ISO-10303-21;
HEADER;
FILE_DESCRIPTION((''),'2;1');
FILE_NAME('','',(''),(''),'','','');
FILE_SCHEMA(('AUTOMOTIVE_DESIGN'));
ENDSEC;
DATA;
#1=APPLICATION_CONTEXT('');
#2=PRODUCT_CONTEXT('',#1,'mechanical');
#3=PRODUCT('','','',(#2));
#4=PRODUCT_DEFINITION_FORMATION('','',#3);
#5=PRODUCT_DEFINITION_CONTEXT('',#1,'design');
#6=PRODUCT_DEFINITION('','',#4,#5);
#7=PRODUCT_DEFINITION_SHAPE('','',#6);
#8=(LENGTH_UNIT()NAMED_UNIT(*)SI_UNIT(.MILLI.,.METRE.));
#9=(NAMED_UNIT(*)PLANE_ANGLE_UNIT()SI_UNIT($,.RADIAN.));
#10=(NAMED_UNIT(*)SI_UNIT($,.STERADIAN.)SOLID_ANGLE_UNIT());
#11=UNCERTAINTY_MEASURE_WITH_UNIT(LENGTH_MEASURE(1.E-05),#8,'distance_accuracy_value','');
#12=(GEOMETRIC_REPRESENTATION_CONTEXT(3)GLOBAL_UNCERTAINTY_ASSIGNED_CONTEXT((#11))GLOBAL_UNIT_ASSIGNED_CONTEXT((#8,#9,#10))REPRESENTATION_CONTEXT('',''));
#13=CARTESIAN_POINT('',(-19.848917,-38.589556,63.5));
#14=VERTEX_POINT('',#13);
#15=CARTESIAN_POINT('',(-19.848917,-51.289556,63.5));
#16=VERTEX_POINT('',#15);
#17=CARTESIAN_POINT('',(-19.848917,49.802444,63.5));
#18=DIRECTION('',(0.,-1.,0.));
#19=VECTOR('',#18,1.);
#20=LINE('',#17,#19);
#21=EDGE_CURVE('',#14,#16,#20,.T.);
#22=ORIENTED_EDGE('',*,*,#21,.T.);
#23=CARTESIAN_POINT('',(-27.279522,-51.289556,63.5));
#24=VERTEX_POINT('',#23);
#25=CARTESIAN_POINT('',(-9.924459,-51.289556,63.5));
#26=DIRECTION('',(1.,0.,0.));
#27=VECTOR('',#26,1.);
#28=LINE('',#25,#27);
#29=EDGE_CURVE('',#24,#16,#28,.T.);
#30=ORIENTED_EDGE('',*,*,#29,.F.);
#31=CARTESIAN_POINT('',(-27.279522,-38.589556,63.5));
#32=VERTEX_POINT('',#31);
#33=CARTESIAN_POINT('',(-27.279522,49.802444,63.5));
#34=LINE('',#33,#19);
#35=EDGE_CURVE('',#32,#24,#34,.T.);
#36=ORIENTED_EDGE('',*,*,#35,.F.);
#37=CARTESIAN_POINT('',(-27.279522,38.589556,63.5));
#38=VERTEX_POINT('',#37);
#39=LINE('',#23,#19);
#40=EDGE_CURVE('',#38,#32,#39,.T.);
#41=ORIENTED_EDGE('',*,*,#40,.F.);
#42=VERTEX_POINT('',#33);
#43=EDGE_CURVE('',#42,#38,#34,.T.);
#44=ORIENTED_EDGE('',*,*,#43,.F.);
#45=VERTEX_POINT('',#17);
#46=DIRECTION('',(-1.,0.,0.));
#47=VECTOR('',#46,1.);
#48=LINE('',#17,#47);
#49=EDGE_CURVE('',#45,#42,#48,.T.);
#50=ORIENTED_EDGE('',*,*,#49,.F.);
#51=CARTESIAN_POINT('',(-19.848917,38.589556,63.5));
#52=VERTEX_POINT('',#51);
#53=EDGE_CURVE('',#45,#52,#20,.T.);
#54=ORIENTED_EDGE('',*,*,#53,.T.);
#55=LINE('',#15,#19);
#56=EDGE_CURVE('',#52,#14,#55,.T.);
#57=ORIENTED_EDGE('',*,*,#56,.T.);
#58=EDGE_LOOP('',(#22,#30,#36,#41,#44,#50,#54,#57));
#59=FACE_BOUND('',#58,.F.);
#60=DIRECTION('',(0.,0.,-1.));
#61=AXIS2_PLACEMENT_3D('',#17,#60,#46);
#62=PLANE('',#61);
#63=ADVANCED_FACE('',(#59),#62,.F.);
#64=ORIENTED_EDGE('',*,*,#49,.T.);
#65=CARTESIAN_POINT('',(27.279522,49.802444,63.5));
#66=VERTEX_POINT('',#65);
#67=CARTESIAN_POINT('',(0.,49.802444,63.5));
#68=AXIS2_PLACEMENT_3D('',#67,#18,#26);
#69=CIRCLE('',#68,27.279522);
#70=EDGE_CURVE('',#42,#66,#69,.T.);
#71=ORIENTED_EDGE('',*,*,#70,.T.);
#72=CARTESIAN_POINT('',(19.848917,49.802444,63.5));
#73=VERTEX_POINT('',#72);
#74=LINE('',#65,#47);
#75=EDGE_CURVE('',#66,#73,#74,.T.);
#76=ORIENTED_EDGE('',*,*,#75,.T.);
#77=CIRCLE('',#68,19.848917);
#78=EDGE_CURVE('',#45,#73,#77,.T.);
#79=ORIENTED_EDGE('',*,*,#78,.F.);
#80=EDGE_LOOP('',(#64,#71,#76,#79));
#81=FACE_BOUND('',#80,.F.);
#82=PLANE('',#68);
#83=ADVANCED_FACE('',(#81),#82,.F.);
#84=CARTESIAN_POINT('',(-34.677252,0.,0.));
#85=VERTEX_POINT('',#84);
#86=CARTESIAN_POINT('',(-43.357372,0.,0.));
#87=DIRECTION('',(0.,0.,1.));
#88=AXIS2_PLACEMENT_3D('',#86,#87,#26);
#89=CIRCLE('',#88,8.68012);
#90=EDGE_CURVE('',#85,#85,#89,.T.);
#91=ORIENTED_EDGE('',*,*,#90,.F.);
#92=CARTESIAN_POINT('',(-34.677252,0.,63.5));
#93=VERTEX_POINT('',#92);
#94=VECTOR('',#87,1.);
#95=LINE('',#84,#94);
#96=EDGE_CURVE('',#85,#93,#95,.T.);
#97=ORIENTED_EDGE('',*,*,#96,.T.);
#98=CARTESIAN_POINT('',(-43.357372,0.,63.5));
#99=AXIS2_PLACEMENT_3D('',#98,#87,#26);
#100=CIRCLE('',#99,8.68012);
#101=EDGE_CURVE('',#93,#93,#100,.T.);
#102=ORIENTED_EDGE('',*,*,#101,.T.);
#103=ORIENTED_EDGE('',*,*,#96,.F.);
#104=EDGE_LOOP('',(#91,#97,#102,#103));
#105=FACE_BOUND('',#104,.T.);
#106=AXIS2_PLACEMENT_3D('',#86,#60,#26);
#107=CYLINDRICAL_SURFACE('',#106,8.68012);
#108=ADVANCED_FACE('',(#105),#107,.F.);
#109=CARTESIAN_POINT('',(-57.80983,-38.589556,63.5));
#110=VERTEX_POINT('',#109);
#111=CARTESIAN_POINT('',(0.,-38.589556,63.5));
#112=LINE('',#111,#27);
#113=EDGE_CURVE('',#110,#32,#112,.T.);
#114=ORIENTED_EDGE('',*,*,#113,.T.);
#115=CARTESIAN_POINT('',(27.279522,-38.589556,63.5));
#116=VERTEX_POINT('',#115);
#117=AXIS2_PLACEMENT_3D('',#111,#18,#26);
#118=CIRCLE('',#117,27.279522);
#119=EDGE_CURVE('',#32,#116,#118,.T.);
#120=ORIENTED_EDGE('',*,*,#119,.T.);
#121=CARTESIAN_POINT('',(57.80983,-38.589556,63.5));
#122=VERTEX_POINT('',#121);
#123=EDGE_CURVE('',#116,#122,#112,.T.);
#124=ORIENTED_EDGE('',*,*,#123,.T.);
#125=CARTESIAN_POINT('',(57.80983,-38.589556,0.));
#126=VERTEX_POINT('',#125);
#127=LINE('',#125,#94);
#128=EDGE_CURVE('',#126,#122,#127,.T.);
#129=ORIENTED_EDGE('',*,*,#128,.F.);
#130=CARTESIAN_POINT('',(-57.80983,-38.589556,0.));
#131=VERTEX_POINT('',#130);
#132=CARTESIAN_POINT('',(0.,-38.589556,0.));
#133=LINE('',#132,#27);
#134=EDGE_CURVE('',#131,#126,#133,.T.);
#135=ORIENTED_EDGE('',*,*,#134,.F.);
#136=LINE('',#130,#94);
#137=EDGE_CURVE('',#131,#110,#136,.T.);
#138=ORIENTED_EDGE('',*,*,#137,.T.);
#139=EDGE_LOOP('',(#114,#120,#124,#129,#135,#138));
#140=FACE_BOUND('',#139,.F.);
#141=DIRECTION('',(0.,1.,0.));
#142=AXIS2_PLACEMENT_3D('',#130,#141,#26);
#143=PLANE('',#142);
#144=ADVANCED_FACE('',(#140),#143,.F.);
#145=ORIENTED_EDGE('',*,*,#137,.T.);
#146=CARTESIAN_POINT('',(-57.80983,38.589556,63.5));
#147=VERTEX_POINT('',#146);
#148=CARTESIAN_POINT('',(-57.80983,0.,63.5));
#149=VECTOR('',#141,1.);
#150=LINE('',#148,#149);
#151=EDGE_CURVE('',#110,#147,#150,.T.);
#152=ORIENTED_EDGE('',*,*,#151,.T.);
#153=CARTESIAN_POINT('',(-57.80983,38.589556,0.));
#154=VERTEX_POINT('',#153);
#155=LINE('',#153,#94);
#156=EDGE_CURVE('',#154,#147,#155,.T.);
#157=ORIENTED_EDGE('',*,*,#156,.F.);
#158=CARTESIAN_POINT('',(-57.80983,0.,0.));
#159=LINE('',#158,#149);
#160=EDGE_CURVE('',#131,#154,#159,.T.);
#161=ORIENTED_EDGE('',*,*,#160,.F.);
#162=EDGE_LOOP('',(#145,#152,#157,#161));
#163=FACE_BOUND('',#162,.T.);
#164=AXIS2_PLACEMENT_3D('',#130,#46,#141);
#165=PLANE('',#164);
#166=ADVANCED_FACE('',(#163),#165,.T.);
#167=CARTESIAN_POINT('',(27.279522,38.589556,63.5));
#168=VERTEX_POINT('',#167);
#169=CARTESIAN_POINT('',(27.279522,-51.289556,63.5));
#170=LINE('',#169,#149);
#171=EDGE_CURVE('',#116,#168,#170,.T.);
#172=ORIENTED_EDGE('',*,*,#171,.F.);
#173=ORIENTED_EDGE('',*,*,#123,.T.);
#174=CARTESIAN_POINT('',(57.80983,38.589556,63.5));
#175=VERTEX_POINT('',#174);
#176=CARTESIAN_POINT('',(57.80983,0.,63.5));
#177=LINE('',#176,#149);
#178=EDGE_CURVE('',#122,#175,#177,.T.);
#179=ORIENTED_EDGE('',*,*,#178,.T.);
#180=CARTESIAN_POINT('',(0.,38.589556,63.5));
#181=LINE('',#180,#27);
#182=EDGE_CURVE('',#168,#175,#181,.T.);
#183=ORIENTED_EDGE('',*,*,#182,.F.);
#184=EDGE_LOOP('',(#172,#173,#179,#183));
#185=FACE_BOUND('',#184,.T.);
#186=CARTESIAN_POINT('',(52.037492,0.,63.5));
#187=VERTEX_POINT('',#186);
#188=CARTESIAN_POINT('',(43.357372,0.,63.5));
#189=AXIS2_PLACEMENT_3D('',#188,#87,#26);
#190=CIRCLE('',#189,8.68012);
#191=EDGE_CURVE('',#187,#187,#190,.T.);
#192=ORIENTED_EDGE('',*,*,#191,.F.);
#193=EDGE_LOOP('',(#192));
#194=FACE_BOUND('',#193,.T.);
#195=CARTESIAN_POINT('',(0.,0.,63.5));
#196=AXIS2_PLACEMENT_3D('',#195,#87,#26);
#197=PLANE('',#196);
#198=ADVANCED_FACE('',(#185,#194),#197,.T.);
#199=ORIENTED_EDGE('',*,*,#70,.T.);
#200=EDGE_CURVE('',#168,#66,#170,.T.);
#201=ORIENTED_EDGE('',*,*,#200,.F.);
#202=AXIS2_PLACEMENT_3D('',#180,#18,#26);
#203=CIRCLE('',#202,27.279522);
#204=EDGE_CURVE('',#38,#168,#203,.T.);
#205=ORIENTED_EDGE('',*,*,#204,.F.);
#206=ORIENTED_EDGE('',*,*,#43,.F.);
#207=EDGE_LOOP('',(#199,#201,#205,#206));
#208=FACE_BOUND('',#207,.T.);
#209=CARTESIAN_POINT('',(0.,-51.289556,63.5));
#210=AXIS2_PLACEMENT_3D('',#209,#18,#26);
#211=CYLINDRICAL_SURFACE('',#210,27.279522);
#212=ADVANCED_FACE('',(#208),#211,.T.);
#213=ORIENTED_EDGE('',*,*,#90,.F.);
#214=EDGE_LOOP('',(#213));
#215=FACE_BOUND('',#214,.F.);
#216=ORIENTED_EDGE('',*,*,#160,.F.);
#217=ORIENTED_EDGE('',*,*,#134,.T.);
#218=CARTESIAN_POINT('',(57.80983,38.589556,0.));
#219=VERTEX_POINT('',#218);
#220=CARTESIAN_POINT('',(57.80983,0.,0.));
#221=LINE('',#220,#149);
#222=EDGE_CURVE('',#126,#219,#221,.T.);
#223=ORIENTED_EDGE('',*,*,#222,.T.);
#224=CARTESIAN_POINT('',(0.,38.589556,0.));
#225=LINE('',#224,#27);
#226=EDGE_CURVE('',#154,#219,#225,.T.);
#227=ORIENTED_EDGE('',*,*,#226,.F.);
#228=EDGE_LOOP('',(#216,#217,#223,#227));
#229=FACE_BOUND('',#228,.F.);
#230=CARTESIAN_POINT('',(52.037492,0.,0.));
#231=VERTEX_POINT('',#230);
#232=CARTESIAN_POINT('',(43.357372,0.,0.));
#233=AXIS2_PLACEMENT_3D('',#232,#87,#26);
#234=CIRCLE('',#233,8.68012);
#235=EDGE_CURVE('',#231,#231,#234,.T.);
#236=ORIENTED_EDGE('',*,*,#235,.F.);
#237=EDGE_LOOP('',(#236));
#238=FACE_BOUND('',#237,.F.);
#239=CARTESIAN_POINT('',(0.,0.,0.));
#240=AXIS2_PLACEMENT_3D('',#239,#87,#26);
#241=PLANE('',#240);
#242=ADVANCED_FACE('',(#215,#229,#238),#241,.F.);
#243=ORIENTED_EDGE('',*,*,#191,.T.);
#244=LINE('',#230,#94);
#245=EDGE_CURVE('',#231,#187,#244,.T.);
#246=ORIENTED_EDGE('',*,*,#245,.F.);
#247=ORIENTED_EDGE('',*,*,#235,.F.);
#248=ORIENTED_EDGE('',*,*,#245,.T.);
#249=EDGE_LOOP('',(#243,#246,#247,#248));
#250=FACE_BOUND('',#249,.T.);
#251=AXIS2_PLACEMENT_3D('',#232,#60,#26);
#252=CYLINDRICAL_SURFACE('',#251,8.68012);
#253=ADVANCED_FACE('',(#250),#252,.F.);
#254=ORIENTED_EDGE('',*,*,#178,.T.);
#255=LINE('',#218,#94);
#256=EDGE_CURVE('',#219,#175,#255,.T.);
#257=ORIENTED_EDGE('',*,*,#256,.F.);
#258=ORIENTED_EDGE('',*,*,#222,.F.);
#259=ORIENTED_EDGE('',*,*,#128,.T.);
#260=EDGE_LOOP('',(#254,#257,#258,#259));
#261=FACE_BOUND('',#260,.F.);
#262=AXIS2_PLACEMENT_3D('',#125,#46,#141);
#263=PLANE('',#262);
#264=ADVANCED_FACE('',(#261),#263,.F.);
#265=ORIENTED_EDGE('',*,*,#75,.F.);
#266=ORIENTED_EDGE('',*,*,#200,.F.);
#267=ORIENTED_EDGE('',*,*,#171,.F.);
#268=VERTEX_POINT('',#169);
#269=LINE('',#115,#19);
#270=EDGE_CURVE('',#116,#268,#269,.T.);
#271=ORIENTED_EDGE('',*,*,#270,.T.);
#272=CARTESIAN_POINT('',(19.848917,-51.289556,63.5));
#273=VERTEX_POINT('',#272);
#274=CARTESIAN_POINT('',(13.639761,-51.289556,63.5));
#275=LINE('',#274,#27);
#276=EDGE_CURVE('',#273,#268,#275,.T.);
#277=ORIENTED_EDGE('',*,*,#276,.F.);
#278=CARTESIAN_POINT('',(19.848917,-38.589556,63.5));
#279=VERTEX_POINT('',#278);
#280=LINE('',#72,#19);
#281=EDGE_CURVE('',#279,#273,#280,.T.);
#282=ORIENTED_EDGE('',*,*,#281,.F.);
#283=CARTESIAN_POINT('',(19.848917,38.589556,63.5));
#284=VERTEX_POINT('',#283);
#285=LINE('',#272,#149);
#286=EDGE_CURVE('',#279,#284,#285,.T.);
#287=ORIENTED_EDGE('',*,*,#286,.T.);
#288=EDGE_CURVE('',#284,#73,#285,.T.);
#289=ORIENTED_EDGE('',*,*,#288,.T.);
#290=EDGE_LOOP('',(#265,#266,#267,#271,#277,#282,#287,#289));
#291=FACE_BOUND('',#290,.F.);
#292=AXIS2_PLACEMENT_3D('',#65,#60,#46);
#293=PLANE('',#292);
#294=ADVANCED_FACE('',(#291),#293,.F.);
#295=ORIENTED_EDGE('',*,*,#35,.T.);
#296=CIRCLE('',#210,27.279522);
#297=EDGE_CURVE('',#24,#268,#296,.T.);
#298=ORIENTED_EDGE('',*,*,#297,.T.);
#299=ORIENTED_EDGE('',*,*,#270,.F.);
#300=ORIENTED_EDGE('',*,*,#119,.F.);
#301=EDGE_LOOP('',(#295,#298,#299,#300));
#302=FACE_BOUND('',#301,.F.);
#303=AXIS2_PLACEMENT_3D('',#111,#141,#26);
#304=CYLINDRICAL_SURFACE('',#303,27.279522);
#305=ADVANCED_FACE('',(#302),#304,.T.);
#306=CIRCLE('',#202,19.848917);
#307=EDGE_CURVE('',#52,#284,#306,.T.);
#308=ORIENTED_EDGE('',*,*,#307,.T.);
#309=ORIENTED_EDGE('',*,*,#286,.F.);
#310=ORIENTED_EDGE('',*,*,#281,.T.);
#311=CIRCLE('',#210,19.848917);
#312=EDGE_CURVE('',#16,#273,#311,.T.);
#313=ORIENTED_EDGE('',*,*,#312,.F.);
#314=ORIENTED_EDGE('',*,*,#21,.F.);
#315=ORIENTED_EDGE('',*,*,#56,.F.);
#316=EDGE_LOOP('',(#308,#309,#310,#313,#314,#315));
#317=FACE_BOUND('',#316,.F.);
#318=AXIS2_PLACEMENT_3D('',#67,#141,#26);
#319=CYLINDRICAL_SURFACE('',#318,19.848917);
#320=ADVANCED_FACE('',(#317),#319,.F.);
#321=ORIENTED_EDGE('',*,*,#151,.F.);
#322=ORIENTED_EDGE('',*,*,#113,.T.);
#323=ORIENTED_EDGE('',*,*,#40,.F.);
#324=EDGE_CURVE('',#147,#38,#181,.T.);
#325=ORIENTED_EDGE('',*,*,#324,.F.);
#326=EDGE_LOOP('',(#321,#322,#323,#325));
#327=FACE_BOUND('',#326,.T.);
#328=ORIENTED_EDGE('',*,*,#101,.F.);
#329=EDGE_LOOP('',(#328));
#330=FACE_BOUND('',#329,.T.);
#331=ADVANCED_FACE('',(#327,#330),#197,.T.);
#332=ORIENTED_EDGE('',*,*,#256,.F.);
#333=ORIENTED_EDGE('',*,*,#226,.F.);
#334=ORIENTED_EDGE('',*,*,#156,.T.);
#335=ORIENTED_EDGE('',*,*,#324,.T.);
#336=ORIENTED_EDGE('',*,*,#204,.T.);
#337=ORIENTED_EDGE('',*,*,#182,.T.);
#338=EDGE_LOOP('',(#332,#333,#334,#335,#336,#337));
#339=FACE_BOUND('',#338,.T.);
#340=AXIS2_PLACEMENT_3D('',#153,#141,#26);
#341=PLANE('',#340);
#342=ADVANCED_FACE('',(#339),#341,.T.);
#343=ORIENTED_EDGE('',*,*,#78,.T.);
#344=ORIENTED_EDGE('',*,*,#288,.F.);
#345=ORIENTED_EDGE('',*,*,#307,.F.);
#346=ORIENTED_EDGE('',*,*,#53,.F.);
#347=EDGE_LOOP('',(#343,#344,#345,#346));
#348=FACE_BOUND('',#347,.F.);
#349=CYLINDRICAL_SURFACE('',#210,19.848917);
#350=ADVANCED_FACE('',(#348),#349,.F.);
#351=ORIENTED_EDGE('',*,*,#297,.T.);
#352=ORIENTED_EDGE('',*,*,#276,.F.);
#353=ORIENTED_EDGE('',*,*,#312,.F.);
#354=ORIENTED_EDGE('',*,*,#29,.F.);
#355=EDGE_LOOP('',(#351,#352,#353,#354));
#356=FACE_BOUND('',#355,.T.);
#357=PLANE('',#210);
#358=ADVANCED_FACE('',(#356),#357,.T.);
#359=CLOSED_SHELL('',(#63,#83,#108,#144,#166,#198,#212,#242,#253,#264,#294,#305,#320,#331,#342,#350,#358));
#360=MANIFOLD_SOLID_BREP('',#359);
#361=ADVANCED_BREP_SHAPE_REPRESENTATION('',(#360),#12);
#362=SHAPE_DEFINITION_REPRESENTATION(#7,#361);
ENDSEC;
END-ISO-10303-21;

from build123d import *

# Parameters (mm, degrees)
F0_W     = 115.61966
F0_H     = 77.179112
F0_R     = 8.68012
F1_DEPTH = 63.5
F2_R     = 27.279522
F3_DEPTH = 12.7
F4_R     = 27.279522
F4_R_2   = 19.848917
F5_DEPTH = 101.092
F7_DEPTH = 194.818


with BuildPart() as f1:
    # F0 (on Top) → F1 (new body)
    with BuildSketch(Plane.XY):
        Rectangle(F0_W, F0_H)
        with Locations((-43.357372, 0)):
            Circle(F0_R, mode=Mode.SUBTRACT)
        with Locations((43.357372, 0)):
            Circle(F0_R, mode=Mode.SUBTRACT)
    extrude(amount=F1_DEPTH)

    # F2 (on face) → F3 (join)
    with BuildSketch(Plane.XZ.offset(38.589556)):
        with Locations((0, 63.5)):
            Circle(F2_R)
    extrude(amount=F3_DEPTH)

    # F4 (on face) → F5 (join)
    with BuildSketch(Plane.XZ.offset(51.289556)):
        with Locations((0, 63.5)):
            Circle(F4_R)
        with Locations((0, 63.5)):
            Circle(F4_R_2, mode=Mode.SUBTRACT)
    extrude(amount=-F5_DEPTH)

    # F6 (on face) → F7 (cut)
    with BuildSketch(Plane(origin=(0, 49.802444, 0), x_dir=(-1, 0, 0), z_dir=(0, 1, 0))):
        with BuildLine():
            Line((19.848917, 63.5), (27.279522, 63.5))
            Line((27.279522, 63.5), (27.279522, 94.863847))
            Line((27.279522, 94.863847), (-27.279522, 94.863847))
            Line((-27.279522, 94.863847), (-27.279522, 63.5))
            Line((-27.279522, 63.5), (-19.848917, 63.5))
            ThreePointArc((-19.848917, 63.5), (0, 43.651083), (19.848917, 63.5))
        make_face()
    extrude(amount=-F7_DEPTH, mode=Mode.SUBTRACT)


solid = f1.part
